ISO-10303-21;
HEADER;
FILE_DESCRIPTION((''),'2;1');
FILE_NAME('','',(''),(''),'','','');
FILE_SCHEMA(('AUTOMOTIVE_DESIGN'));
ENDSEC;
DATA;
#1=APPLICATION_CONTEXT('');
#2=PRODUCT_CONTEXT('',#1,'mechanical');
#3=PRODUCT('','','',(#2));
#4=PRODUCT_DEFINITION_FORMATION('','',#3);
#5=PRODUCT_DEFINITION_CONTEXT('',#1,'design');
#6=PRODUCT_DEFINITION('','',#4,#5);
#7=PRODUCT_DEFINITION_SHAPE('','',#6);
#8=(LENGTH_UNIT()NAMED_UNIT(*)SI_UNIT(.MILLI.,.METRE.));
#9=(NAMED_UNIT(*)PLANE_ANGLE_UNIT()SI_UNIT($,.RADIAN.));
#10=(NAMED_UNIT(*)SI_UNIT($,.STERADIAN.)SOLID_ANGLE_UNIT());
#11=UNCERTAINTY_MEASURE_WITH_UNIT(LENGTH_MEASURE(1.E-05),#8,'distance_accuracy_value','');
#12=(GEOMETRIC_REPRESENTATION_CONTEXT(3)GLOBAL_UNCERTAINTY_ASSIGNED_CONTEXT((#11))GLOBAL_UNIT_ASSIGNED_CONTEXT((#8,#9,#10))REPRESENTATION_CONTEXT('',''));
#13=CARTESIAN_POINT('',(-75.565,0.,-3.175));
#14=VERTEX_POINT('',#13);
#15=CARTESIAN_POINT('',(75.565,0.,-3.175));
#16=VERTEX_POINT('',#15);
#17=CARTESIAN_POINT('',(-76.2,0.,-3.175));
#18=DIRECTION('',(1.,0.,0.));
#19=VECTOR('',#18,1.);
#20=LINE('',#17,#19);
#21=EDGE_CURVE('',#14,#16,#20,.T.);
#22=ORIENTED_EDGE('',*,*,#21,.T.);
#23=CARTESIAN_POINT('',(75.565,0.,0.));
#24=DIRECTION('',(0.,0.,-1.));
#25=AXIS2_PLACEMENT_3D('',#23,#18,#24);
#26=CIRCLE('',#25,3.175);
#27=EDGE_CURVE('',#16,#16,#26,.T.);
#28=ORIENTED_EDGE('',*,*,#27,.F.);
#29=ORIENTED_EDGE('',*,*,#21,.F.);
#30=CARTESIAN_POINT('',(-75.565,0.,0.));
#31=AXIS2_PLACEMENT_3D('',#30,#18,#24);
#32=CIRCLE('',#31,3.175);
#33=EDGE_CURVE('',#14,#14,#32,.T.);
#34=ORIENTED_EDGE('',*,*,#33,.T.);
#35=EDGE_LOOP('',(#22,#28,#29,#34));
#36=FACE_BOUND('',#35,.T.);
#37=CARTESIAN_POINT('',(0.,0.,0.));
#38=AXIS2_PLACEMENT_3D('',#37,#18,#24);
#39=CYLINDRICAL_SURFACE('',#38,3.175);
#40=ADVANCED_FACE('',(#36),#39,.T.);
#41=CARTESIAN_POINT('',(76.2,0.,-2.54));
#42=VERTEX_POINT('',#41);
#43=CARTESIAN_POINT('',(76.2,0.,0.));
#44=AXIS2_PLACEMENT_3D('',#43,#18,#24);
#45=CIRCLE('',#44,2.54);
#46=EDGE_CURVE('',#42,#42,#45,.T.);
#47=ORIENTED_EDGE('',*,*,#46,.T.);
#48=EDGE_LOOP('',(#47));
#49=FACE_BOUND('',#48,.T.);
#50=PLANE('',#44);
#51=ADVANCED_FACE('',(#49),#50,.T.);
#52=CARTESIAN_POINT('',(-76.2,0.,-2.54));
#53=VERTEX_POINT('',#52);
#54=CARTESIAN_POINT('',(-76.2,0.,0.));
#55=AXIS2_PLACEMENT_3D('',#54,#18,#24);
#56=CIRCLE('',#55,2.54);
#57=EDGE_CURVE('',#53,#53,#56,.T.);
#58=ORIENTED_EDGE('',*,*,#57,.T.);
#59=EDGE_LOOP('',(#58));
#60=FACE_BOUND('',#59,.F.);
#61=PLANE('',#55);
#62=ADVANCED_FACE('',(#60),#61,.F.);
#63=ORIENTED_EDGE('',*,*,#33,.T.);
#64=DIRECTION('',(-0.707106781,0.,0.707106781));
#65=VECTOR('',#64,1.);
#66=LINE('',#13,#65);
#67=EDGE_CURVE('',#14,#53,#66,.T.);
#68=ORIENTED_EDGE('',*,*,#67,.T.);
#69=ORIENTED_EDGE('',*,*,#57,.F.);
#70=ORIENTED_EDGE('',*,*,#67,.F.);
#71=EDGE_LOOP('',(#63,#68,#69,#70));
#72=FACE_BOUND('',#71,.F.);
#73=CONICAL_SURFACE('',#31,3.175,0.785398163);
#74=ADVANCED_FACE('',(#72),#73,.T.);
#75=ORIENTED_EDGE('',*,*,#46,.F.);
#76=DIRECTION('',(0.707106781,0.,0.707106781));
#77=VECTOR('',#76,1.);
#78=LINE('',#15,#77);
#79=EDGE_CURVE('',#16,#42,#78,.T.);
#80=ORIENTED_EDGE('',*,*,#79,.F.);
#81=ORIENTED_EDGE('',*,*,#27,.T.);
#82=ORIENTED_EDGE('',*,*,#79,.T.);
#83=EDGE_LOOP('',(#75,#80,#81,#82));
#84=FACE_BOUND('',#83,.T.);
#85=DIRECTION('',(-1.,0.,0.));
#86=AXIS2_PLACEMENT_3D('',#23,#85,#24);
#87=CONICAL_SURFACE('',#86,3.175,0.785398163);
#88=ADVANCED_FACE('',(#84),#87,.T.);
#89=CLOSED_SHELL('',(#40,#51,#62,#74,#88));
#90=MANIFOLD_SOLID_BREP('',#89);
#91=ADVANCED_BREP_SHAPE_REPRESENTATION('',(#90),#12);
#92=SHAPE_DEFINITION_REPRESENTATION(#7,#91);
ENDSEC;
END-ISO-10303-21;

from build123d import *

# Parameters (mm, degrees)
SKETCH2_R           = 3.175
EXTRUDE1_DEPTH      = 76.2
EXTRUDE1_DEPTH_BACK = 76.2
CHAMFER1_SIZE       = 0.635


with BuildPart() as part:
    # Sketch2 → Extrude1 (new body, two sides)
    with BuildSketch(Plane(origin=(0, 0, 0), x_dir=(0, 0, -1), z_dir=(1, 0, 0))) as extrude1_sk:
        Circle(SKETCH2_R)
    extrude(amount=EXTRUDE1_DEPTH)
    extrude(extrude1_sk.sketch, amount=-EXTRUDE1_DEPTH_BACK)

    # Chamfer1
    chamfer1_edges = [part.edges().sort_by_distance(p)[0] for p in [
        (-76.2, 0, 3.175),
        (76.2, 0, 3.175),
    ]]
    chamfer(chamfer1_edges, length=CHAMFER1_SIZE)


solid = part.part
